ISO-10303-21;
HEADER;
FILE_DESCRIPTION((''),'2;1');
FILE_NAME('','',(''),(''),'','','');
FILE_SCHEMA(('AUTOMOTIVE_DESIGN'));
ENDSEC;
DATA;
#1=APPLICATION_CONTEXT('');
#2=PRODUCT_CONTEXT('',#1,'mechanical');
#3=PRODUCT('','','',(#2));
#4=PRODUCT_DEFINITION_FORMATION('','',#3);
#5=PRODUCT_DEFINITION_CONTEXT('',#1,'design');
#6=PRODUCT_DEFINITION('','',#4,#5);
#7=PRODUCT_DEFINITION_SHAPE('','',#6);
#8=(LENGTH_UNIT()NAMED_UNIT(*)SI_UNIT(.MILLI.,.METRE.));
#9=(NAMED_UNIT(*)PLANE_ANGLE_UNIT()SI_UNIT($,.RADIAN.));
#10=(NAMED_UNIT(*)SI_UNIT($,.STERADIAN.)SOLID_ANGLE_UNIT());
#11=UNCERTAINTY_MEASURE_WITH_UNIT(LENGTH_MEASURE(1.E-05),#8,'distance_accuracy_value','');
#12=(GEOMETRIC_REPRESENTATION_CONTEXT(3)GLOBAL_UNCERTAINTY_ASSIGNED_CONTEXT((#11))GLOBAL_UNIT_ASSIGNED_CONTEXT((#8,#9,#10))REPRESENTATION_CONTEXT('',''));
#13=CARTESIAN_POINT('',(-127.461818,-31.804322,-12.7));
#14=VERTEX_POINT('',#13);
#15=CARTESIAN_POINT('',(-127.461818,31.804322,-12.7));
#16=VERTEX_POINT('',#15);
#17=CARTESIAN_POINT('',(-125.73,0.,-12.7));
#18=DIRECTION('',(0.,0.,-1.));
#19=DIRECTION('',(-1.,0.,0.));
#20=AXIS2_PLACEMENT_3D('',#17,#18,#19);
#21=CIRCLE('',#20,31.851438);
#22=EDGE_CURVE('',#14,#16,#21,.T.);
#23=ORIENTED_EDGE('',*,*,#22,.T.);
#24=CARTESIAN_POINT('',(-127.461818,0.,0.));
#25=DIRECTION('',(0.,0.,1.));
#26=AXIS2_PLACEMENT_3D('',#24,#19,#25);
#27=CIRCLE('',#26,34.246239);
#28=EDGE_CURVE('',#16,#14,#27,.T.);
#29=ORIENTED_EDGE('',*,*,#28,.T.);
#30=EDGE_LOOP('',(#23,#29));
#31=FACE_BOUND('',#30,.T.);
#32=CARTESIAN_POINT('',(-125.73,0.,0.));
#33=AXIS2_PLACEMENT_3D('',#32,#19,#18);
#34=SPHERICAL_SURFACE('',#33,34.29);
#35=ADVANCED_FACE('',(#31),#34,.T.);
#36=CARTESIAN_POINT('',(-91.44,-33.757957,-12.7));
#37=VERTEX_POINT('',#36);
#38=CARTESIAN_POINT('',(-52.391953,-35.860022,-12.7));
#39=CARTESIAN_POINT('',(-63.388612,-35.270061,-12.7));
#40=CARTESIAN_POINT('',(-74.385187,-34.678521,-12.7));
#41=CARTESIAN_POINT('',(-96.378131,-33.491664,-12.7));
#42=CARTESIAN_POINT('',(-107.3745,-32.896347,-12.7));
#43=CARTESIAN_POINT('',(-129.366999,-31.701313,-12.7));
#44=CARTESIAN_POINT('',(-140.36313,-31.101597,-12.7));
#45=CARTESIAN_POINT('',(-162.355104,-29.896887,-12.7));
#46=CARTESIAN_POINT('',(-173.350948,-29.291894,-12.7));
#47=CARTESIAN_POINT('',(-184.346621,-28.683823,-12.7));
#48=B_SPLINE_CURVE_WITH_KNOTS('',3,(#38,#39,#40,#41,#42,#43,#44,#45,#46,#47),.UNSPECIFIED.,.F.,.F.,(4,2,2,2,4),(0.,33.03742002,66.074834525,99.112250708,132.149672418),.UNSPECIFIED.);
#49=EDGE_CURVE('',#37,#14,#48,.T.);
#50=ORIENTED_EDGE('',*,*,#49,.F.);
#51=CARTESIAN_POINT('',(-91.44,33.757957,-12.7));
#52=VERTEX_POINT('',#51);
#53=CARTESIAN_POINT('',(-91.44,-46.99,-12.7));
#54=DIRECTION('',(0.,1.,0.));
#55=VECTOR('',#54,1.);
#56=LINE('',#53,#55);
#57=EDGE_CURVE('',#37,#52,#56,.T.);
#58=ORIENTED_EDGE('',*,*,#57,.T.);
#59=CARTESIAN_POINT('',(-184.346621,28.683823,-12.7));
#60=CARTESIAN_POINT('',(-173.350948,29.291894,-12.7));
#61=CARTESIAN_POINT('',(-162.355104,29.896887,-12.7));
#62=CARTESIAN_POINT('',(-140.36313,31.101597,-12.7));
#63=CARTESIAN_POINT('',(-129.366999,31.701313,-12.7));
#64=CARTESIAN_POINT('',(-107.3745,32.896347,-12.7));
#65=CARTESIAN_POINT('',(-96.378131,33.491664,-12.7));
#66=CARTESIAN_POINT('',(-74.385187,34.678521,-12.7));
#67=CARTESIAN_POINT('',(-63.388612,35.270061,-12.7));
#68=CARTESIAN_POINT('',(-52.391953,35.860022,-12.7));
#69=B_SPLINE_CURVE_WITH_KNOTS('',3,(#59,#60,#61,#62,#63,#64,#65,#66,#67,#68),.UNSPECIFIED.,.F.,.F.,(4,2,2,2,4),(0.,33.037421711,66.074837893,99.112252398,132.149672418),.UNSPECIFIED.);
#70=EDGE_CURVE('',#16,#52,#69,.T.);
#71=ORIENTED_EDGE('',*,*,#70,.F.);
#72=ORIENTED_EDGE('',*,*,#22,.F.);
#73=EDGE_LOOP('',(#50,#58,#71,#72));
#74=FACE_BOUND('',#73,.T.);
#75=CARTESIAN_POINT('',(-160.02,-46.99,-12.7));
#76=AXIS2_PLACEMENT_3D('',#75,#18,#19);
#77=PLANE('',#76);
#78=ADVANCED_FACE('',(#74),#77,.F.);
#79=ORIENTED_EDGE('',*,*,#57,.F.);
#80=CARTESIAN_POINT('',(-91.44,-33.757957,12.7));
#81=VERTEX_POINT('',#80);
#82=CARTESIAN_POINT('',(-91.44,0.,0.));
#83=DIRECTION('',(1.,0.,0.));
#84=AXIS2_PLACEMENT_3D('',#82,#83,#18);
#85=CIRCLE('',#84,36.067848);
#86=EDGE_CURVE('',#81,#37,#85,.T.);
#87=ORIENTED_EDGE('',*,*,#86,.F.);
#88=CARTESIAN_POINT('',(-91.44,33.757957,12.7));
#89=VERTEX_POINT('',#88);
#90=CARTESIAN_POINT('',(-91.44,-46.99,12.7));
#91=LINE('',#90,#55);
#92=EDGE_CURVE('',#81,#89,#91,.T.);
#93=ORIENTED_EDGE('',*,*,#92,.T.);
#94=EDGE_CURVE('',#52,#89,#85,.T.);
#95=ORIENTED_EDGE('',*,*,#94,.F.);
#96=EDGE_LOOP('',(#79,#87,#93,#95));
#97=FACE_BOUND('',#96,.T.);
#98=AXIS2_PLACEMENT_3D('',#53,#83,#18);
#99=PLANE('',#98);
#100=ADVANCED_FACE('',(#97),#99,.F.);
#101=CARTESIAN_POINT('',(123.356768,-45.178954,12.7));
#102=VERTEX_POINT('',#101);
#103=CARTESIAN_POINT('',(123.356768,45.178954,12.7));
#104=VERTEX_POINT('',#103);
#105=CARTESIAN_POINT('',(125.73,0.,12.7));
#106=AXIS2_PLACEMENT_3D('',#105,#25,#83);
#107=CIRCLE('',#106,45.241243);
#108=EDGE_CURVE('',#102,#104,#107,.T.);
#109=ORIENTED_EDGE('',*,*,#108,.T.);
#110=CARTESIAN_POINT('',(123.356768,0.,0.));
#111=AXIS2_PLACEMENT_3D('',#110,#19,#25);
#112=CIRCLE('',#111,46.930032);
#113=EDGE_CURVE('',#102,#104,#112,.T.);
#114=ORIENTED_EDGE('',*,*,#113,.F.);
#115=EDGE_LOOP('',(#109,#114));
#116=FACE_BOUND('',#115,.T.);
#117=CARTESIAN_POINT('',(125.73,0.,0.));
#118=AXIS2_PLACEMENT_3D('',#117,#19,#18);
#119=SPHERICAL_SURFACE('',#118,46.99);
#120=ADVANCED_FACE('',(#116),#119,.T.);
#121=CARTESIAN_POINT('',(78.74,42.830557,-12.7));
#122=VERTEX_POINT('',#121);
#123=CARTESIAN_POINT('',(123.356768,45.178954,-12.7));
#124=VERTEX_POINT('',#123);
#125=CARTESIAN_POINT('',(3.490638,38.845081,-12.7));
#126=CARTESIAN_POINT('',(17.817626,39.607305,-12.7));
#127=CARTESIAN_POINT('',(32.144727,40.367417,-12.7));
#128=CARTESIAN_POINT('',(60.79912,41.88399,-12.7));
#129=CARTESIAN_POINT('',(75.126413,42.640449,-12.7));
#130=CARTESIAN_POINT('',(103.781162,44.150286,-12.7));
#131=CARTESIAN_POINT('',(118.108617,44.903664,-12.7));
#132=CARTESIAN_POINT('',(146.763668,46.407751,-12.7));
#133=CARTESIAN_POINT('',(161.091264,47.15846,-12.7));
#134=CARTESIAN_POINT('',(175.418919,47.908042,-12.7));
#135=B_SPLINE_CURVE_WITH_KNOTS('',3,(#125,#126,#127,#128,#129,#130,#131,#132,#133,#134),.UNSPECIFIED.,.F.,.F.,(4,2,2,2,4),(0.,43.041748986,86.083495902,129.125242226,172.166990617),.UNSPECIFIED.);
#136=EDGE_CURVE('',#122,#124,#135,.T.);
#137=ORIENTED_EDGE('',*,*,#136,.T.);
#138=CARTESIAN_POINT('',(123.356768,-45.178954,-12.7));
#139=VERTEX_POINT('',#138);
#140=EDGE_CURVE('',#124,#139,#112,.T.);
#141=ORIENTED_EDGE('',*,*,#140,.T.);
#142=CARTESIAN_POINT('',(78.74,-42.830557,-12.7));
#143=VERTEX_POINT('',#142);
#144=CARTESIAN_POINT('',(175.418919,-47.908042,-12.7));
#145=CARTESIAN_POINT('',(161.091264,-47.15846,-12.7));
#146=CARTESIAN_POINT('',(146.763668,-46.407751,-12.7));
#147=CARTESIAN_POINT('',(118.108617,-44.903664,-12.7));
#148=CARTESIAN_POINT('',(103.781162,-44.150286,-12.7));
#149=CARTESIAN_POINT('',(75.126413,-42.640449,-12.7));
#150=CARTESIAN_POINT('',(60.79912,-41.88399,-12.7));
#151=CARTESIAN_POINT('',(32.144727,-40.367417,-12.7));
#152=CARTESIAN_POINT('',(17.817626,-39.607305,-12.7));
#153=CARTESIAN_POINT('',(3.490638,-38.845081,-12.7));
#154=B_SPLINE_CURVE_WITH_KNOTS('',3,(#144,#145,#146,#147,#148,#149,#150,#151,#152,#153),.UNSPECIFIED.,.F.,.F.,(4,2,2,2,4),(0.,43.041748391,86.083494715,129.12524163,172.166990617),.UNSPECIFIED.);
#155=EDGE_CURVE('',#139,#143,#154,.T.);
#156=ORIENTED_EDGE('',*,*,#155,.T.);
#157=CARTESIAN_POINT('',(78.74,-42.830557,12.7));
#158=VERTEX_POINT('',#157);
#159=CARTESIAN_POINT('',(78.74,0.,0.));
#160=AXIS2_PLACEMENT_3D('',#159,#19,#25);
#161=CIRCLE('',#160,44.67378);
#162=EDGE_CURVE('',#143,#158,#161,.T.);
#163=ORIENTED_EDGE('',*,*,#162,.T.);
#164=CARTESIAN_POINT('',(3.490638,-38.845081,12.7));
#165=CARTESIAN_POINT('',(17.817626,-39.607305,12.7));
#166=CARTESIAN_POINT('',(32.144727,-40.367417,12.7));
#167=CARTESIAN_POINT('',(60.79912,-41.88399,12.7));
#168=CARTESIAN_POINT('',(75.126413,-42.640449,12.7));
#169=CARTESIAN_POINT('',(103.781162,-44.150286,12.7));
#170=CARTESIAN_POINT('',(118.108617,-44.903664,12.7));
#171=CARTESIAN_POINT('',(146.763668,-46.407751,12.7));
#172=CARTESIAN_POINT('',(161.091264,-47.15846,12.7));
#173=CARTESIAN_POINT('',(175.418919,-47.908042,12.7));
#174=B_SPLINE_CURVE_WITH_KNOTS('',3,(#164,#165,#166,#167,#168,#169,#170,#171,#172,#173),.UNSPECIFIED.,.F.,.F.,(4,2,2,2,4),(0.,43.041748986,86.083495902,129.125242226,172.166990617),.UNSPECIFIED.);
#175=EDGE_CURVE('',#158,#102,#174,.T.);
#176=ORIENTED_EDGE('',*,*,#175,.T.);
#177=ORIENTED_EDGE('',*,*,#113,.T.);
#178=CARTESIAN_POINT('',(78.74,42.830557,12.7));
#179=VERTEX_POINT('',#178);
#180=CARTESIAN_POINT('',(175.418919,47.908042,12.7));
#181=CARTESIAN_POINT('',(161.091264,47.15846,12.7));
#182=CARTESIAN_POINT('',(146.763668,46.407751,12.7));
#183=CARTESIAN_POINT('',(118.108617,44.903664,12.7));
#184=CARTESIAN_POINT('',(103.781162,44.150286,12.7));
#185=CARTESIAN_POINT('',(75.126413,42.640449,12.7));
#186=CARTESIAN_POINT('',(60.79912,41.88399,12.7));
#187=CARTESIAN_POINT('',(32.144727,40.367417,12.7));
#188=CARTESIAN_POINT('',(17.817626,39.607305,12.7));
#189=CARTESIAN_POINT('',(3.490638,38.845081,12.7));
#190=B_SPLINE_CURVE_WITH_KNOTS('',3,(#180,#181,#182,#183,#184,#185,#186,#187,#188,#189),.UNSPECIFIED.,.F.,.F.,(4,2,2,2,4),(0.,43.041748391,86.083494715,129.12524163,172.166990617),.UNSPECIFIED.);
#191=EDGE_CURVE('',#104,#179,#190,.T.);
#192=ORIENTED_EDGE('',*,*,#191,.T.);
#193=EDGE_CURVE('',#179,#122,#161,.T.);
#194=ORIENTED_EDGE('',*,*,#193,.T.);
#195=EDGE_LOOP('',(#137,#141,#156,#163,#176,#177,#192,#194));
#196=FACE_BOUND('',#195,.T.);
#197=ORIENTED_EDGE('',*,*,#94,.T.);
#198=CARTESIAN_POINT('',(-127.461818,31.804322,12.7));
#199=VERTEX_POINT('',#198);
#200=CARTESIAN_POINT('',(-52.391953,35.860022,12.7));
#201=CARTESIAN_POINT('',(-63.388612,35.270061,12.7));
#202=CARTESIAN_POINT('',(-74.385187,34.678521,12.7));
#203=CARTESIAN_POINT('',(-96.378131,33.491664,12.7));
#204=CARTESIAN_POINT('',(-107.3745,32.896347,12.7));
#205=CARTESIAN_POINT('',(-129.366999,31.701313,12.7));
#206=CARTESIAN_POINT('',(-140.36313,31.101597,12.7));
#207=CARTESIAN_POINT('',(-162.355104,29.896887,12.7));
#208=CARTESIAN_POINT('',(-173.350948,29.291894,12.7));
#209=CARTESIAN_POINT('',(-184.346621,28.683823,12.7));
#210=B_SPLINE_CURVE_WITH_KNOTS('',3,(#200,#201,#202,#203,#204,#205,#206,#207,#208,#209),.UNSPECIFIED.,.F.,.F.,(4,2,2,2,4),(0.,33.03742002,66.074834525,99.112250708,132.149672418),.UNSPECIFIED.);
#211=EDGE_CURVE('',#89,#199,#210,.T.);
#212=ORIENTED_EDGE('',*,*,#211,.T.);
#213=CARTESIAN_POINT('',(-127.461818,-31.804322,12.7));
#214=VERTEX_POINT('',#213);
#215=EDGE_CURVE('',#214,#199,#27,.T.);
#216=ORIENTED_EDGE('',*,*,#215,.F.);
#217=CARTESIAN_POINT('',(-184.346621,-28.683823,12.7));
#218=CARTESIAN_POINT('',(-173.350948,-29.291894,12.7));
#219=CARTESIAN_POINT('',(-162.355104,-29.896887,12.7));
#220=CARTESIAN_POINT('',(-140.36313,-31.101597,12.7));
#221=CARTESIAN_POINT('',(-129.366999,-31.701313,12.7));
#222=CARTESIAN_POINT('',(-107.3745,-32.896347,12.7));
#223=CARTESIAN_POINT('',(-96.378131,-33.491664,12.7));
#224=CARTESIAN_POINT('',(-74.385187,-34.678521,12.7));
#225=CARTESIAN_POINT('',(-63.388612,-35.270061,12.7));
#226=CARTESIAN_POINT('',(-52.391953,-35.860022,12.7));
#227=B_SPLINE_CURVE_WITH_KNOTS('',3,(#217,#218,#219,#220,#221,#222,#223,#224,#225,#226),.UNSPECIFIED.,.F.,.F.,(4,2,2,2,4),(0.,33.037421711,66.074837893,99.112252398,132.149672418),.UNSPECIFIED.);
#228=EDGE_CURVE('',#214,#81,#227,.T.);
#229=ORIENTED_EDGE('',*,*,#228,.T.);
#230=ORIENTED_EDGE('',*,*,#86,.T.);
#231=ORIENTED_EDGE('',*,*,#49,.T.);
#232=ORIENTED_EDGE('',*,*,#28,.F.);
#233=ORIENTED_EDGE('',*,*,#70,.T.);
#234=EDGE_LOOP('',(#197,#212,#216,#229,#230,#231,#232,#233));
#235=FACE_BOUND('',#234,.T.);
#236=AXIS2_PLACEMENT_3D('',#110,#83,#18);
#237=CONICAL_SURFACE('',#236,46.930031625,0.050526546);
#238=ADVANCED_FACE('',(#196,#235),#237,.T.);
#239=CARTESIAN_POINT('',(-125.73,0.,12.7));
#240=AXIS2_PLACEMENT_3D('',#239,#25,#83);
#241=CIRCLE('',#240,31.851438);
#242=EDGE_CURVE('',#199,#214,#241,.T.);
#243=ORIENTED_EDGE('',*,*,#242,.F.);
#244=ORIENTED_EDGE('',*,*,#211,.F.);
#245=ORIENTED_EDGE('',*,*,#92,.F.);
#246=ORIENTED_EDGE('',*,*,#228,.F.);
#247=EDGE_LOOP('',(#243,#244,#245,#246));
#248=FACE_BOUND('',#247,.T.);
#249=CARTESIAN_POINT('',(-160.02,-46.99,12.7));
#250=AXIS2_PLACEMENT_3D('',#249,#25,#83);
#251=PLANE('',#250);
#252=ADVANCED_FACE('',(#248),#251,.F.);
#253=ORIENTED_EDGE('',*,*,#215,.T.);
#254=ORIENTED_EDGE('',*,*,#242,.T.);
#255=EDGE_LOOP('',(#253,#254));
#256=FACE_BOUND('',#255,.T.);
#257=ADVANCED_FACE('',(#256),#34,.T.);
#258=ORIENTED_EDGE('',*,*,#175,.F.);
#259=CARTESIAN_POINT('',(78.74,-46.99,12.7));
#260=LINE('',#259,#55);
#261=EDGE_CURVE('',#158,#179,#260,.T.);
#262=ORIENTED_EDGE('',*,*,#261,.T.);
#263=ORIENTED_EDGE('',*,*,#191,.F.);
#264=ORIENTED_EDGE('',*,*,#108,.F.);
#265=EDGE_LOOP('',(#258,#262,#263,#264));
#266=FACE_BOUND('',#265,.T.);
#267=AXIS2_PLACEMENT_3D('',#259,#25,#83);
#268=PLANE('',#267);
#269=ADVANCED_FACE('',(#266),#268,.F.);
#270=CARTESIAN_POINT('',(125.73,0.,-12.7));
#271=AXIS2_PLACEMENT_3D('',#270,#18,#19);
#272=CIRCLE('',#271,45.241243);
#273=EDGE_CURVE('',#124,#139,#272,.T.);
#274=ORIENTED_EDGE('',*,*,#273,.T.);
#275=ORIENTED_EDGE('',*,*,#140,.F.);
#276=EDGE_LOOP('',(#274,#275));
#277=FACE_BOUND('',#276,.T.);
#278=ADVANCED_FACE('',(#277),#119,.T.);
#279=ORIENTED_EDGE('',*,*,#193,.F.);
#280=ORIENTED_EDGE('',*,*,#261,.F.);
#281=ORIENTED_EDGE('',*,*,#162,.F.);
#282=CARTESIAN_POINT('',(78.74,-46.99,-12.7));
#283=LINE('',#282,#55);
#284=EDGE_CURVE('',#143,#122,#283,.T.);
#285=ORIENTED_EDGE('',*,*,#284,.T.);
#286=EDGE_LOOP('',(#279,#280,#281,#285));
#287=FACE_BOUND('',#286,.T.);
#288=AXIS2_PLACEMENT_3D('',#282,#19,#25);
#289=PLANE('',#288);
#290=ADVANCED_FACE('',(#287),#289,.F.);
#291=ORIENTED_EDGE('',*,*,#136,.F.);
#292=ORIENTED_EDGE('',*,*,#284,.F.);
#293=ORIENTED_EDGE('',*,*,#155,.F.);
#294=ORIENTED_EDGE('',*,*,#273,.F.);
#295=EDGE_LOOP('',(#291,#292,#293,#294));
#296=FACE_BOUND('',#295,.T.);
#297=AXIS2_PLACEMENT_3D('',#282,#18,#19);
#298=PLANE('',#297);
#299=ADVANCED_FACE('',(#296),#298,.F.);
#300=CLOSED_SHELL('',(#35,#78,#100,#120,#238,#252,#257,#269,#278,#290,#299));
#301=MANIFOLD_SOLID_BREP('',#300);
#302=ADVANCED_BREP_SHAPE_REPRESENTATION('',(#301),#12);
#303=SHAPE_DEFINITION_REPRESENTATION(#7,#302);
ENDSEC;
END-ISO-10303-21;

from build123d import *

# Parameters (mm, degrees)
CUT_EXTRUDE1_DEPTH      = 186.063012512
CUT_EXTRUDE1_DEPTH_BACK = 186.063012512
SKETCH4_W               = 93.98
SKETCH4_H               = 25.4
SKETCH4_W_2             = 68.58


with BuildPart() as part:
    # Sketch3 → Revolve2 (revolve)
    with BuildSketch(Plane(origin=(0, 0, 0), x_dir=(1, 0, 0), z_dir=(0, 1, 0))):
        with BuildLine():
            Line((-125.73, 0), (125.73, 0))
            Line((125.73, 0), (172.72, 0))
            ThreePointArc((172.72, 0), (158.10701278, 34.05567711), (123.356767677, 46.930031625))
            Line((123.356767677, 46.930031625), (-127.461818182, 34.246239294))
            ThreePointArc((-127.461818182, 34.246239294), (-150.581440053, 23.626468786), (-160.02, 0))
            Line((-160.02, 0), (-125.73, 0))
        make_face()
    revolve(axis=Axis((-1000, 0, 0), (1, 0, 0)))

    # Sketch4 → Cut-Extrude1 (cut, two sides: drawn at the far end of the back side and taken through both)
    with BuildSketch(Plane(origin=(0, 0, 0), x_dir=(1, 0, 0), z_dir=(0, 1, 0)).offset(-CUT_EXTRUDE1_DEPTH_BACK)):
        with Locations((125.73, 0)):
            Rectangle(SKETCH4_W, SKETCH4_H)
        with Locations((-125.73, 0)):
            Rectangle(SKETCH4_W_2, SKETCH4_H)
    extrude(amount=CUT_EXTRUDE1_DEPTH + CUT_EXTRUDE1_DEPTH_BACK, mode=Mode.SUBTRACT)


solid = part.part
